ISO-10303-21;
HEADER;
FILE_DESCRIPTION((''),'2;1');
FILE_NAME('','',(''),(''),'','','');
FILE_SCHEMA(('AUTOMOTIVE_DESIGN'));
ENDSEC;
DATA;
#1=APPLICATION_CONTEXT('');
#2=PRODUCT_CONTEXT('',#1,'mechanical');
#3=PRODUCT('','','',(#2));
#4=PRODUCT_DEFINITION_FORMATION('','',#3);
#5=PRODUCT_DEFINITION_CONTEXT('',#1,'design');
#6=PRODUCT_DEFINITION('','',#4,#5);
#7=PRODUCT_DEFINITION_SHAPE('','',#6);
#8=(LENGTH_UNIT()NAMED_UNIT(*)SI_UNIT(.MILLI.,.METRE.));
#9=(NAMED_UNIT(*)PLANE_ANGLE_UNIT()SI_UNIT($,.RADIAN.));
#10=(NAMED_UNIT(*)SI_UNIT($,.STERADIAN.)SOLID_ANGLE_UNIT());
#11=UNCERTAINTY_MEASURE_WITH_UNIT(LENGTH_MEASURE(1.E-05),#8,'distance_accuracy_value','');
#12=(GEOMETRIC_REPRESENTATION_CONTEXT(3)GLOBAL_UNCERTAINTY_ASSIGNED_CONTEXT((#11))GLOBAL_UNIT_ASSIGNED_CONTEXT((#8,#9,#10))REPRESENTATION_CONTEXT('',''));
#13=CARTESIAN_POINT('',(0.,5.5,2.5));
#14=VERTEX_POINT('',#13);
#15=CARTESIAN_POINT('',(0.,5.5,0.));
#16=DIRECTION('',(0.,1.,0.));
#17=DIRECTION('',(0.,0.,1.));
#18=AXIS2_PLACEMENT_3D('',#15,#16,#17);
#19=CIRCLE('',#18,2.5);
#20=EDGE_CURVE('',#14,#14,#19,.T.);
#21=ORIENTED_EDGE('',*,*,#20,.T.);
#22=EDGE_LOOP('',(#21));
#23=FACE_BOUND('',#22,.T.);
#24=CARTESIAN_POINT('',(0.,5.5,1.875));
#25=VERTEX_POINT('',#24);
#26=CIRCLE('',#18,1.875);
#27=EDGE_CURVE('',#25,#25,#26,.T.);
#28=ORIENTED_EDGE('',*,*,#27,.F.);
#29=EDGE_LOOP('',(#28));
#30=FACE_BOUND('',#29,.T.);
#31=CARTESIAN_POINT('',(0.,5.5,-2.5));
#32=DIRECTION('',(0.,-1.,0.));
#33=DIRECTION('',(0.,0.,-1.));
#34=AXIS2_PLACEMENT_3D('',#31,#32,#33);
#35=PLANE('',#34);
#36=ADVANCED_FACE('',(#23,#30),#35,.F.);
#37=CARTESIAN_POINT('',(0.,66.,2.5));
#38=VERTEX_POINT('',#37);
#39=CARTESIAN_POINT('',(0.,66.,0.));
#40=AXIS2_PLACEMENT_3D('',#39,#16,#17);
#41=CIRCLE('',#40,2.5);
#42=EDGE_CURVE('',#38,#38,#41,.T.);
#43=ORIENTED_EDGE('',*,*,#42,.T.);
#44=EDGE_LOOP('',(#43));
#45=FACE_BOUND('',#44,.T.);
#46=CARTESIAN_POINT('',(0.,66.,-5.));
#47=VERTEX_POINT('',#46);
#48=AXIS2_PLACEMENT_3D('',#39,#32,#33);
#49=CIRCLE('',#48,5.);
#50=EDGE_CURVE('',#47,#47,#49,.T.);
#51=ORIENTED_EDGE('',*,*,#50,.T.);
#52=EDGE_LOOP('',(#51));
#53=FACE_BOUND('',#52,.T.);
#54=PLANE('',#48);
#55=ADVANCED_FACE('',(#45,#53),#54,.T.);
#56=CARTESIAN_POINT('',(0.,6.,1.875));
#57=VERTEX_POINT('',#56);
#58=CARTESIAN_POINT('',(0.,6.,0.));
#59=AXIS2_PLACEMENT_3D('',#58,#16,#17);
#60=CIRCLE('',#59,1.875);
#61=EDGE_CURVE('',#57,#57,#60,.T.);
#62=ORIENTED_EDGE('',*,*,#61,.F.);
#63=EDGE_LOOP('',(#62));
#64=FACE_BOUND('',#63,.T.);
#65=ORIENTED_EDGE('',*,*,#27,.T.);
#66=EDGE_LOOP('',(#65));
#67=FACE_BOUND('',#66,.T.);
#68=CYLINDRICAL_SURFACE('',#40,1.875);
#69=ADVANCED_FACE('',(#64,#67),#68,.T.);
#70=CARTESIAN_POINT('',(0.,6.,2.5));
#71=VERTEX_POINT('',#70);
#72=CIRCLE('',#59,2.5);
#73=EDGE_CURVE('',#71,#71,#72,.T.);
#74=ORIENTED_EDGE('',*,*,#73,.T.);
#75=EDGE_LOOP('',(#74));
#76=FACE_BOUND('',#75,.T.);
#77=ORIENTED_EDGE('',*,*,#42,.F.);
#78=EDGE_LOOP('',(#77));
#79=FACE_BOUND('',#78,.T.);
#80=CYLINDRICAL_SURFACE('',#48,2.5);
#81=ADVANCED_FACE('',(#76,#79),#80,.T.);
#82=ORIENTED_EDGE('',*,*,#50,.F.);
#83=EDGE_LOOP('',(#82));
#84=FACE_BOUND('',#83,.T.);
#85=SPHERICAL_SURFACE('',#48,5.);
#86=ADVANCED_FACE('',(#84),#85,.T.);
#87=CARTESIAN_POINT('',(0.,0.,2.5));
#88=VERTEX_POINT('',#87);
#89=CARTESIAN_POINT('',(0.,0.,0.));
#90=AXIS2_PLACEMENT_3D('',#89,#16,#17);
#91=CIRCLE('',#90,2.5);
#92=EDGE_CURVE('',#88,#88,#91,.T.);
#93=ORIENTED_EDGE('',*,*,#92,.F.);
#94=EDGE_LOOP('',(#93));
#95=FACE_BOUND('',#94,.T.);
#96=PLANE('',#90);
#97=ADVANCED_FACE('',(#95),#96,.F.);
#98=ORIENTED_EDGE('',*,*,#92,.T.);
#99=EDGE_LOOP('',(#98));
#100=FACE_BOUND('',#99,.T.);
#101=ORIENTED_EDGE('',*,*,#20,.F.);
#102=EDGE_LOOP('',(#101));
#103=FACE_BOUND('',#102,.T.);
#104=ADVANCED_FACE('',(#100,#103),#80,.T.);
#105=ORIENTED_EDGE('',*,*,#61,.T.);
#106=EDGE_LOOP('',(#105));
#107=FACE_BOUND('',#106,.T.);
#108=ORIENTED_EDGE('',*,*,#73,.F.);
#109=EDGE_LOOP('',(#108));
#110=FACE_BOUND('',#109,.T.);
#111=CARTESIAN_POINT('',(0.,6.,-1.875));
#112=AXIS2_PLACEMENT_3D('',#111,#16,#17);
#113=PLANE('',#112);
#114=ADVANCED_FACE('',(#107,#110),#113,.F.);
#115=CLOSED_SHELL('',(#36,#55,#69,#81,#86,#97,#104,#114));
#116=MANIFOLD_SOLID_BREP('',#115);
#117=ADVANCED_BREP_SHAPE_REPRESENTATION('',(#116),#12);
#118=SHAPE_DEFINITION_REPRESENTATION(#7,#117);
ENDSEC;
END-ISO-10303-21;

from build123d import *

# Parameters (mm, degrees)
SKETCH1_R           = 2.5
BOSS_EXTRUDE1_DEPTH = 66
SKETCH8_W           = 0.625
SKETCH8_H           = 0.5


with BuildPart() as part:
    # Sketch1 → Boss-Extrude1 (new body)
    with BuildSketch(Plane(origin=(0, 0, 0), x_dir=(1, 0, 0), z_dir=(0, 1, 0))):
        with Locations(Location((0, 0, 0), (0, 0, 270))):
            Circle(SKETCH1_R)
    extrude(amount=BOSS_EXTRUDE1_DEPTH)

    # Sketch3 → Revolve1 (revolve)
    with BuildSketch(Plane(origin=(0, 0, 0), x_dir=(0, 0, -1), z_dir=(1, 0, 0))):
        with BuildLine():
            Line((0, 66), (0, 71))
            ThreePointArc((0, 71), (3.535533906, 69.535533906), (5, 66))
            Line((5, 66), (0, 66))
        make_face()
    revolve(axis=Axis((0, 66, 0), (0, 1, 0)))

    # Sketch8 → Cut-Revolve3 (revolve, cut)
    with BuildSketch(Plane(origin=(0, 66, 0), x_dir=(0, 0, -1), z_dir=(-1, 0, 0)), mode=Mode.PRIVATE) as cut_revolve3_sk:
        with Locations((2.1875, 60.25)):
            Rectangle(SKETCH8_W, SKETCH8_H)
    revolve(cut_revolve3_sk.sketch.rotate(Axis((0, 66, 0), (0, -1, 0)), 180), axis=Axis((0, 66, 0), (0, -1, 0)), mode=Mode.SUBTRACT)


solid = part.part
